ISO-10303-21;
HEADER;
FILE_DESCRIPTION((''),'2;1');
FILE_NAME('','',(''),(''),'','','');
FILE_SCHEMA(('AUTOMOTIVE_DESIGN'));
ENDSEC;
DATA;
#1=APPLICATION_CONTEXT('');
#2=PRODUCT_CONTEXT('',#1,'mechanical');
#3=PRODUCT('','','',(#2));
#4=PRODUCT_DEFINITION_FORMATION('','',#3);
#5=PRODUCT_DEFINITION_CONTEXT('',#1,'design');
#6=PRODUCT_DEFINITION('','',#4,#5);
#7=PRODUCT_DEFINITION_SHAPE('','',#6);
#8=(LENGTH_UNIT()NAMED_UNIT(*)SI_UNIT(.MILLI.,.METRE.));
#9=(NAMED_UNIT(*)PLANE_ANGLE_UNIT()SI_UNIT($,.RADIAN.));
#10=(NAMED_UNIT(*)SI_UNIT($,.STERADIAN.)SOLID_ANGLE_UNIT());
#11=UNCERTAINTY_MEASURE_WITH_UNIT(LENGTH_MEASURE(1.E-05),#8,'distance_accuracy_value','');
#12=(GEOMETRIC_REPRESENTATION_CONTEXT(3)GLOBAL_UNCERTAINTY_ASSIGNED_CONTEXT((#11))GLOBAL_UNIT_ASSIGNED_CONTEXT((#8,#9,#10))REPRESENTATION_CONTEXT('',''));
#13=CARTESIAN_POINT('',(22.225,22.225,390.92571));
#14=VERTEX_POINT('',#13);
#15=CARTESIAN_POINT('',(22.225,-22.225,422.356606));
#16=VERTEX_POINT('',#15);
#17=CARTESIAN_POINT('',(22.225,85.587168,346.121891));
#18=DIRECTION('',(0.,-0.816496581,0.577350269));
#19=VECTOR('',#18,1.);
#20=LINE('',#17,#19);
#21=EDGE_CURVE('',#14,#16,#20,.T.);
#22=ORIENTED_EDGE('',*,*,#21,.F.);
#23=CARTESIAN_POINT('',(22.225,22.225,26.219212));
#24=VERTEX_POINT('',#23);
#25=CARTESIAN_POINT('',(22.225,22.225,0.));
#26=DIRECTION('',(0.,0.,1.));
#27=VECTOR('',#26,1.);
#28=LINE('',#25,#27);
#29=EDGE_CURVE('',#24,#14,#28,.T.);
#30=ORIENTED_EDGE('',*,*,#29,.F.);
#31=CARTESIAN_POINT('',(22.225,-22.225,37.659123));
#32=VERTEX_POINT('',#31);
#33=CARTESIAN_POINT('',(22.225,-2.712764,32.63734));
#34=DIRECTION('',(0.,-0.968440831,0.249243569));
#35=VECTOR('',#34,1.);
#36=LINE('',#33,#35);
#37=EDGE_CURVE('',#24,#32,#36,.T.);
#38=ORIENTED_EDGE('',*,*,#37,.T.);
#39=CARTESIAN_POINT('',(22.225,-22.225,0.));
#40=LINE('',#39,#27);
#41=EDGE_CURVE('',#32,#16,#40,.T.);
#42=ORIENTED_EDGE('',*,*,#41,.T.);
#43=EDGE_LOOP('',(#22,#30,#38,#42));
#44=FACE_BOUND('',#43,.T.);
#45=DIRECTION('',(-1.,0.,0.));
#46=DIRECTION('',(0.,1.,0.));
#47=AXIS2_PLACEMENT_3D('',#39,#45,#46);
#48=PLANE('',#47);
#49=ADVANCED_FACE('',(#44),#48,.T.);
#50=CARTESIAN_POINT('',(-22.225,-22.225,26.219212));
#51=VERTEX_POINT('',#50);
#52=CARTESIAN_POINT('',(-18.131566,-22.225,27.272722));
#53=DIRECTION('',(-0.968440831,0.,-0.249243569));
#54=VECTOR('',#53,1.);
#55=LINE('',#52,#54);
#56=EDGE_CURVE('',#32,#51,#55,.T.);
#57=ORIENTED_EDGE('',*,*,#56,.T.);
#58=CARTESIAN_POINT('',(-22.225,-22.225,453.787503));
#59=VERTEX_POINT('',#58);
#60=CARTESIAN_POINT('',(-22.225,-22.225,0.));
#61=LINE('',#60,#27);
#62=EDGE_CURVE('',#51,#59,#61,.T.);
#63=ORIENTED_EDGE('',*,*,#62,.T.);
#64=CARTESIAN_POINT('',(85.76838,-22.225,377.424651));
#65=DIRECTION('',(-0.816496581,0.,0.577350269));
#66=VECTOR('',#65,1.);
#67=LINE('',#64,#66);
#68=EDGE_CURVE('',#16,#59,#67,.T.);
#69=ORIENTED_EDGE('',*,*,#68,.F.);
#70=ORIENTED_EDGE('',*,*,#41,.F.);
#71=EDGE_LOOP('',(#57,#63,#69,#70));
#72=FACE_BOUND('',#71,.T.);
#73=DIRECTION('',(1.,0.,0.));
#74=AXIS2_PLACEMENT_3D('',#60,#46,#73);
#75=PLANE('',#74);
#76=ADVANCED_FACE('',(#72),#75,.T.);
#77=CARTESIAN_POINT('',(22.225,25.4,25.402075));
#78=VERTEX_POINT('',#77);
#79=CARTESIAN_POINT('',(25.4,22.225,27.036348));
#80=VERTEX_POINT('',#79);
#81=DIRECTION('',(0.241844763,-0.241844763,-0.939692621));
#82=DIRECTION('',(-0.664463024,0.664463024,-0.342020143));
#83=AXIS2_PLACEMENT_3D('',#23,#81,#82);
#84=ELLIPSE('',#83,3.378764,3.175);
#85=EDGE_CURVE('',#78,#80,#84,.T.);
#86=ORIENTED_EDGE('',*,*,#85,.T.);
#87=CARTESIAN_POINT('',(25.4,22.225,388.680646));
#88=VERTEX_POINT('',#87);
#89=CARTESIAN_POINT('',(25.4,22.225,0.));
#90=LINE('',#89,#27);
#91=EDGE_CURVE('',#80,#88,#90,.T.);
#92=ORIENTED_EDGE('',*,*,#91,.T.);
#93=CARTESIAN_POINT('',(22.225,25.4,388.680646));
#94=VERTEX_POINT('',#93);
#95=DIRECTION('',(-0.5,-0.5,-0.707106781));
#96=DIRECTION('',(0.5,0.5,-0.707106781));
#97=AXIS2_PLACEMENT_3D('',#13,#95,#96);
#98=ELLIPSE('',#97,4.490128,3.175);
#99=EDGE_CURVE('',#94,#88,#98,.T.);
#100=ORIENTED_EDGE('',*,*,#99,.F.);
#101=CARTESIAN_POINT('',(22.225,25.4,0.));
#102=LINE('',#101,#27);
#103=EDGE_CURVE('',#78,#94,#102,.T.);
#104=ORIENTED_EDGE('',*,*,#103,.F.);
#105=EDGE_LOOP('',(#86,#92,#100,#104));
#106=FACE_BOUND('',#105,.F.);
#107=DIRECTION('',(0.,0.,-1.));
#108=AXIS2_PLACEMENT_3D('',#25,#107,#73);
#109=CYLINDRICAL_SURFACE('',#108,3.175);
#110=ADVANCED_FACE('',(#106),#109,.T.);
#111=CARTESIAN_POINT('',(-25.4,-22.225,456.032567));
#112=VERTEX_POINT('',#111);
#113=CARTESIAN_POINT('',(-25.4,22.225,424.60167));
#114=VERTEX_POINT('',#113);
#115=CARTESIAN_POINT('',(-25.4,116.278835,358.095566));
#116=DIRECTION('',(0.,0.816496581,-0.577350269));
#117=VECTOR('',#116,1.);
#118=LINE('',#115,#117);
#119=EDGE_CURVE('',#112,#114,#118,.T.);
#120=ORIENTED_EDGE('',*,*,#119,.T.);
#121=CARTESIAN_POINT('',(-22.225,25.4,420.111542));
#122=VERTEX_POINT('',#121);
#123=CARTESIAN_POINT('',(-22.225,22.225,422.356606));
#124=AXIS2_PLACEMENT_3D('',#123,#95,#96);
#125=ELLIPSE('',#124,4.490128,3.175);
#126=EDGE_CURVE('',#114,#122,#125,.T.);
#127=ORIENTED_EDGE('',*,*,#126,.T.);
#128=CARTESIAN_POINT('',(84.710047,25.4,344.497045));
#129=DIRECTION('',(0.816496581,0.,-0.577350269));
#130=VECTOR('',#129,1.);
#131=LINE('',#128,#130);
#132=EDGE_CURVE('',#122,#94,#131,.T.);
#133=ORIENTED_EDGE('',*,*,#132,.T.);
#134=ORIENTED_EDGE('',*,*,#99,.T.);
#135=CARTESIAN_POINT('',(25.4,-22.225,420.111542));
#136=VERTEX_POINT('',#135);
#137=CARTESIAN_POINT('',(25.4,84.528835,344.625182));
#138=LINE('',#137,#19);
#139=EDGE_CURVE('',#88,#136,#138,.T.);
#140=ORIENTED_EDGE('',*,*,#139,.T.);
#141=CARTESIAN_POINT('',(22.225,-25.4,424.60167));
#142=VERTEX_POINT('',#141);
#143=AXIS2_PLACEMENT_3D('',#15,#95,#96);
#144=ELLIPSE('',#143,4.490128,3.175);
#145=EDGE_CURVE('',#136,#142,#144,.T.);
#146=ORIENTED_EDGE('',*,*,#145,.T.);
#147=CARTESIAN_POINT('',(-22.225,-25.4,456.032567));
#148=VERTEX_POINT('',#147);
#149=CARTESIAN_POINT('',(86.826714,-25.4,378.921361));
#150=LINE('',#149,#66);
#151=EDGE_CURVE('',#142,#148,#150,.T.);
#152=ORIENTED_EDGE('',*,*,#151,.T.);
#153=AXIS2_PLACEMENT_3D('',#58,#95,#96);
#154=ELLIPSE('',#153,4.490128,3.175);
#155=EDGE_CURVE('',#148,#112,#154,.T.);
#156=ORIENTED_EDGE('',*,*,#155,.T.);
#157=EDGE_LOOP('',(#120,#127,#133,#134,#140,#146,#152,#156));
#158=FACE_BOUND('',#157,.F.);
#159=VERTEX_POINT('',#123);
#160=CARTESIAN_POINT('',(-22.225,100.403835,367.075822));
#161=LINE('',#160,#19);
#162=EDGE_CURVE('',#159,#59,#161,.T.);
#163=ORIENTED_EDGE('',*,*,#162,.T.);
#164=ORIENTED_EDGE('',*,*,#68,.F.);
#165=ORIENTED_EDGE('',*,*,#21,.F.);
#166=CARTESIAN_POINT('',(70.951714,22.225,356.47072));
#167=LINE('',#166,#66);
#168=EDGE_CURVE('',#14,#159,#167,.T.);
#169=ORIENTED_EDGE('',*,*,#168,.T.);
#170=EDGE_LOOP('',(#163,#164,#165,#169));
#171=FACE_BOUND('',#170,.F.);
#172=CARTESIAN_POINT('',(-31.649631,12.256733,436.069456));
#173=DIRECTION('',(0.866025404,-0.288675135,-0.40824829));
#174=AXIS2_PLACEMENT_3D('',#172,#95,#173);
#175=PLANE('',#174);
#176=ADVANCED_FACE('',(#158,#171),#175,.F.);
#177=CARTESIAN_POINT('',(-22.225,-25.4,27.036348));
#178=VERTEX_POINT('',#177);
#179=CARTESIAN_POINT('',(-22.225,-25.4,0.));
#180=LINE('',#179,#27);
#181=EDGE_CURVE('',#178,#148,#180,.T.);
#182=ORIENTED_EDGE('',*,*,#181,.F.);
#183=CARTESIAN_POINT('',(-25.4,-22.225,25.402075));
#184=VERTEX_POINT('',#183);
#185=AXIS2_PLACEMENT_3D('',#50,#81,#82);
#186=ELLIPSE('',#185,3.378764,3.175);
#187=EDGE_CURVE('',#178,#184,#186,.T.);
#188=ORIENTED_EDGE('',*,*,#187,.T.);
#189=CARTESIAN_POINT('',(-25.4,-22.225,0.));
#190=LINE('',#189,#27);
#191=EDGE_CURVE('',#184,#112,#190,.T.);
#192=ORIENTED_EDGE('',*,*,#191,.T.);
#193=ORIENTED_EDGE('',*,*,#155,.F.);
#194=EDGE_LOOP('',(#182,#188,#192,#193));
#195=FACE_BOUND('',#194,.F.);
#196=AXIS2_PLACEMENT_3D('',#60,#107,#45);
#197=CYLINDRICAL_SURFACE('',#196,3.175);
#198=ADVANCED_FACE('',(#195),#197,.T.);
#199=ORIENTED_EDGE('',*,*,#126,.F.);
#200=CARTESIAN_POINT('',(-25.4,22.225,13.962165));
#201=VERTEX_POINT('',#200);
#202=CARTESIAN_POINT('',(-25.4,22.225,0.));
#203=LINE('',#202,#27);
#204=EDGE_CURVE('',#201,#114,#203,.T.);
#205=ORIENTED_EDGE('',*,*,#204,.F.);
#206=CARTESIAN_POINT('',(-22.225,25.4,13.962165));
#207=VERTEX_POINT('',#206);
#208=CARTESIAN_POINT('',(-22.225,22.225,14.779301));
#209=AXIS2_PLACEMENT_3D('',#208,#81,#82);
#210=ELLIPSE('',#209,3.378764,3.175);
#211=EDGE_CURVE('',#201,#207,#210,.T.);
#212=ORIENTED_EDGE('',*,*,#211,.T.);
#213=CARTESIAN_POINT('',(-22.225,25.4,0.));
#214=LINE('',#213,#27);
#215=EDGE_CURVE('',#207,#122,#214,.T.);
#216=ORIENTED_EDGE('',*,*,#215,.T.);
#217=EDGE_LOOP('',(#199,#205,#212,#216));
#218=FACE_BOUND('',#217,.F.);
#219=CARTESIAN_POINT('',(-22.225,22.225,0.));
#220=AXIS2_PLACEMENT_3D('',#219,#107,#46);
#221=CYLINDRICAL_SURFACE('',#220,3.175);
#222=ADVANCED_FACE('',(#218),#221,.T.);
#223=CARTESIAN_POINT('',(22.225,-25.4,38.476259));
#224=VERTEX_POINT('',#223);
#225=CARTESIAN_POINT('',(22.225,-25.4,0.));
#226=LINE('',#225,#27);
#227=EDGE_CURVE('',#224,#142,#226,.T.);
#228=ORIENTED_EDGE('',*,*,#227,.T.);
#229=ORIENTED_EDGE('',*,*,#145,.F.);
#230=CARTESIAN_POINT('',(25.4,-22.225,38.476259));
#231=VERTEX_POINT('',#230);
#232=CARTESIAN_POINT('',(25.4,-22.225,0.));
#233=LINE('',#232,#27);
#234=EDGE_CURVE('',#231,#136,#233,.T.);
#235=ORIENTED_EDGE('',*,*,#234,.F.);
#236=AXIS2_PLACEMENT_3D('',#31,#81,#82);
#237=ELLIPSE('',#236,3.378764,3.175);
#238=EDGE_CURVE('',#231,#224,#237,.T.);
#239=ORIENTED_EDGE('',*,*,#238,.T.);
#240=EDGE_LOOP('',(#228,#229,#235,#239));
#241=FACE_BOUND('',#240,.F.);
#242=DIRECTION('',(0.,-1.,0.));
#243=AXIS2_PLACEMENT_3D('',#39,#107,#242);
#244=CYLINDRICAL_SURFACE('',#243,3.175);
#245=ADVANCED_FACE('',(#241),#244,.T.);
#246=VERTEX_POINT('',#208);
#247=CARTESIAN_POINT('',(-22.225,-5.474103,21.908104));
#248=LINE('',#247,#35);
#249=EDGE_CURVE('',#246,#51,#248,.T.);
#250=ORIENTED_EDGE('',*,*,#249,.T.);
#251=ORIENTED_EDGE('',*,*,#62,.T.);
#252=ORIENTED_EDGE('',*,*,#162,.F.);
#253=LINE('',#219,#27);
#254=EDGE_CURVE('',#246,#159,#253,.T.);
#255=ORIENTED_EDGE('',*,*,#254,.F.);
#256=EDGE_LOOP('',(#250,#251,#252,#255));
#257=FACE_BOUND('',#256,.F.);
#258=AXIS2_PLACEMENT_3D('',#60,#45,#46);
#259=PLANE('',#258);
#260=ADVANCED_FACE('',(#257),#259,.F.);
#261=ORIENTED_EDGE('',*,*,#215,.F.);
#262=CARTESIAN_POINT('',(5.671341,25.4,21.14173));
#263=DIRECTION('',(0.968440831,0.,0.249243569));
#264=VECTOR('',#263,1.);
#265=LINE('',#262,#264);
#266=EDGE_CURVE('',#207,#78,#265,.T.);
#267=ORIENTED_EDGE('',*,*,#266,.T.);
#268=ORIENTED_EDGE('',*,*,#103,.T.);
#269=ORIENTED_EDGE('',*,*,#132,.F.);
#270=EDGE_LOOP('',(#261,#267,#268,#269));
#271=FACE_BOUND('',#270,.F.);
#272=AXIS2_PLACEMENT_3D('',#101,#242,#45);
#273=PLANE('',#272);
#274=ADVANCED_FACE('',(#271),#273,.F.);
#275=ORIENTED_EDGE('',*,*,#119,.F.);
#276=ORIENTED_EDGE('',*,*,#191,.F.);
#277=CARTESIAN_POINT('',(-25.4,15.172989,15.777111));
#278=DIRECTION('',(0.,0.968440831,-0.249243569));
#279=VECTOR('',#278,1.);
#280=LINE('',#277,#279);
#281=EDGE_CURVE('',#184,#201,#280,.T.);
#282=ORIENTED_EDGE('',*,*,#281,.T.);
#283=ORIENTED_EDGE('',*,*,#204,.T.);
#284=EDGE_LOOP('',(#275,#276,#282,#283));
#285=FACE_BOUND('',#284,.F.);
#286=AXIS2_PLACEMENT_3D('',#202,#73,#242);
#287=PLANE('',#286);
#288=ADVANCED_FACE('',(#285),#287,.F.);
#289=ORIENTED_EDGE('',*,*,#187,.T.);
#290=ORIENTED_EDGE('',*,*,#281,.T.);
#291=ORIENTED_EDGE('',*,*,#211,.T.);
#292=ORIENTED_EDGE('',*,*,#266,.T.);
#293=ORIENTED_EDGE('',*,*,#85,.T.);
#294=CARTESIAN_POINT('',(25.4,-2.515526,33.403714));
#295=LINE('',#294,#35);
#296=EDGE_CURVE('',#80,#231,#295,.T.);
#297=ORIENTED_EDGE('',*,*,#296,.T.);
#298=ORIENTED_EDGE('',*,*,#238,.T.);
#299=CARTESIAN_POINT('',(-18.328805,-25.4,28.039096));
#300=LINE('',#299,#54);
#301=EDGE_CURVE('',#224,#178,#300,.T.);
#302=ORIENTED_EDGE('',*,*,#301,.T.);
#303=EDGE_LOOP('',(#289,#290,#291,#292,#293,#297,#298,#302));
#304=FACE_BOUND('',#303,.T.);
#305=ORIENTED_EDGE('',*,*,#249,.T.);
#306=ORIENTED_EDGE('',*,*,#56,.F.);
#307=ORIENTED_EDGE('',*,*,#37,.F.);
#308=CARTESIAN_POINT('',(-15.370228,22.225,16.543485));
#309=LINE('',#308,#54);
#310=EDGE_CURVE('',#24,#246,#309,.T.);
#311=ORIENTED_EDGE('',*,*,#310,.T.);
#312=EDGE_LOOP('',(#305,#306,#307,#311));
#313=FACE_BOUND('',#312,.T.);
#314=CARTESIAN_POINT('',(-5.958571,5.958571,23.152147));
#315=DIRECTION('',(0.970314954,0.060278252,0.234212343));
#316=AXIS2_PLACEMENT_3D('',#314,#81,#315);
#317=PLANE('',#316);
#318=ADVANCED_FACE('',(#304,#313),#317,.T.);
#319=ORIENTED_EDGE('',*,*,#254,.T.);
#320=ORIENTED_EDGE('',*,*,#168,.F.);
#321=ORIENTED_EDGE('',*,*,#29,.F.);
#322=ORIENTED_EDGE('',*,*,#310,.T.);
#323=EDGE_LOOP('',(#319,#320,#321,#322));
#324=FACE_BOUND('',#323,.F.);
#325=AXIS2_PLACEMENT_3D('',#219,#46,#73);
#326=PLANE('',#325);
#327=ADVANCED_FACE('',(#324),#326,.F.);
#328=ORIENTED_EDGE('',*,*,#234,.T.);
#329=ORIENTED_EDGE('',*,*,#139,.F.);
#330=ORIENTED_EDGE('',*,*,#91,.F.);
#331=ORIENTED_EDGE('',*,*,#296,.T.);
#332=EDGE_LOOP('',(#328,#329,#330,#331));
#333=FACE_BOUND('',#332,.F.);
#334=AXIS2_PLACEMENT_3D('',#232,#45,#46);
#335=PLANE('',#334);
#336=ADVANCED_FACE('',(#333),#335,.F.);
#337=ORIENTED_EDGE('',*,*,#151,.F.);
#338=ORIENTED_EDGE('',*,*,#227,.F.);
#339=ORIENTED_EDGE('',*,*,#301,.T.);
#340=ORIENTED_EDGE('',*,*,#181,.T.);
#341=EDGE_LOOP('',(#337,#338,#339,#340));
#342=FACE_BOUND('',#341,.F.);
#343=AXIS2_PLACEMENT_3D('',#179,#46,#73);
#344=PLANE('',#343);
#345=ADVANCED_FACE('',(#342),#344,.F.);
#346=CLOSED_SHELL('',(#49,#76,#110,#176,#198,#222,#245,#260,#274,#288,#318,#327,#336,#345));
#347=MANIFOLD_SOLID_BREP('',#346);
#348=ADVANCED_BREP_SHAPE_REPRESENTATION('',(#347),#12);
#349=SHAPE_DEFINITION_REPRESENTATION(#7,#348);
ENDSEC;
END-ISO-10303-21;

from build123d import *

# Parameters (mm, degrees)
F0_W          = 44.45
F0_H          = 44.45
F1_DEPTH      = 457.2
F5_DEPTH      = 25.4
F5_DEPTH_BACK = 24.638
F8_W          = 152.4
F8_H          = 152.4
F9_DEPTH      = 24.638
F9_DEPTH_BACK = 25.4


with BuildPart() as f1:
    # F0 (on Top) → F1 (new body)
    with BuildSketch(Plane.XY):
        with BuildLine():
            ThreePointArc((25.4, 22.225), (24.4700640303, 24.4700640303), (22.225, 25.4))
            Line((22.225, 25.4), (-22.225, 25.4))
            ThreePointArc((-22.225, 25.4), (-24.4700640303, 24.4700640303), (-25.4, 22.225))
            Line((-25.4, 22.225), (-25.4, -22.225))
            ThreePointArc((-25.4, -22.225), (-24.4700640303, -24.4700640303), (-22.225, -25.4))
            Line((-22.225, -25.4), (22.225, -25.4))
            ThreePointArc((22.225, -25.4), (24.4700640303, -24.4700640303), (25.4, -22.225))
            Line((25.4, -22.225), (25.4, 22.225))
        make_face()
        Rectangle(F0_W, F0_H, mode=Mode.SUBTRACT)
    extrude(amount=F1_DEPTH)

    # F4 (on face) → F5 (cut, two sides)
    with BuildSketch(Plane(origin=(161.6446101792, 161.6446101792, 228.6), x_dir=(0.8660254038, -0.2886751346, -0.4082482905), z_dir=(-0.5, -0.5, -0.7071067812))) as f5_sk:
        Polygon((-110.453744999, 187.8757004726), (-186.653744999, 264.0757004726), (-262.853744999, 340.2757004726), (-262.853744999, 187.8757004726), align=None)
        Polygon((-262.853744999, 340.2757004726), (-186.653744999, 264.0757004726), (-110.453744999, 187.8757004726), (-110.453744999, 340.2757004726), align=None)
    extrude(amount=-F5_DEPTH, mode=Mode.SUBTRACT)
    extrude(f5_sk.sketch, amount=F5_DEPTH_BACK, mode=Mode.SUBTRACT)

    # F8 (on face) → F9 (cut, two sides)
    with BuildSketch(Plane(origin=(0, 0, 0), x_dir=(0.9703149544, 0.0602782519, 0.2342123429), z_dir=(0.2418447626, -0.2418447626, -0.9396926208))) as f9_sk:
        Rectangle(F8_W, F8_H)
    extrude(amount=-F9_DEPTH, mode=Mode.SUBTRACT)
    extrude(f9_sk.sketch, amount=F9_DEPTH_BACK, mode=Mode.SUBTRACT)


solid = f1.part
